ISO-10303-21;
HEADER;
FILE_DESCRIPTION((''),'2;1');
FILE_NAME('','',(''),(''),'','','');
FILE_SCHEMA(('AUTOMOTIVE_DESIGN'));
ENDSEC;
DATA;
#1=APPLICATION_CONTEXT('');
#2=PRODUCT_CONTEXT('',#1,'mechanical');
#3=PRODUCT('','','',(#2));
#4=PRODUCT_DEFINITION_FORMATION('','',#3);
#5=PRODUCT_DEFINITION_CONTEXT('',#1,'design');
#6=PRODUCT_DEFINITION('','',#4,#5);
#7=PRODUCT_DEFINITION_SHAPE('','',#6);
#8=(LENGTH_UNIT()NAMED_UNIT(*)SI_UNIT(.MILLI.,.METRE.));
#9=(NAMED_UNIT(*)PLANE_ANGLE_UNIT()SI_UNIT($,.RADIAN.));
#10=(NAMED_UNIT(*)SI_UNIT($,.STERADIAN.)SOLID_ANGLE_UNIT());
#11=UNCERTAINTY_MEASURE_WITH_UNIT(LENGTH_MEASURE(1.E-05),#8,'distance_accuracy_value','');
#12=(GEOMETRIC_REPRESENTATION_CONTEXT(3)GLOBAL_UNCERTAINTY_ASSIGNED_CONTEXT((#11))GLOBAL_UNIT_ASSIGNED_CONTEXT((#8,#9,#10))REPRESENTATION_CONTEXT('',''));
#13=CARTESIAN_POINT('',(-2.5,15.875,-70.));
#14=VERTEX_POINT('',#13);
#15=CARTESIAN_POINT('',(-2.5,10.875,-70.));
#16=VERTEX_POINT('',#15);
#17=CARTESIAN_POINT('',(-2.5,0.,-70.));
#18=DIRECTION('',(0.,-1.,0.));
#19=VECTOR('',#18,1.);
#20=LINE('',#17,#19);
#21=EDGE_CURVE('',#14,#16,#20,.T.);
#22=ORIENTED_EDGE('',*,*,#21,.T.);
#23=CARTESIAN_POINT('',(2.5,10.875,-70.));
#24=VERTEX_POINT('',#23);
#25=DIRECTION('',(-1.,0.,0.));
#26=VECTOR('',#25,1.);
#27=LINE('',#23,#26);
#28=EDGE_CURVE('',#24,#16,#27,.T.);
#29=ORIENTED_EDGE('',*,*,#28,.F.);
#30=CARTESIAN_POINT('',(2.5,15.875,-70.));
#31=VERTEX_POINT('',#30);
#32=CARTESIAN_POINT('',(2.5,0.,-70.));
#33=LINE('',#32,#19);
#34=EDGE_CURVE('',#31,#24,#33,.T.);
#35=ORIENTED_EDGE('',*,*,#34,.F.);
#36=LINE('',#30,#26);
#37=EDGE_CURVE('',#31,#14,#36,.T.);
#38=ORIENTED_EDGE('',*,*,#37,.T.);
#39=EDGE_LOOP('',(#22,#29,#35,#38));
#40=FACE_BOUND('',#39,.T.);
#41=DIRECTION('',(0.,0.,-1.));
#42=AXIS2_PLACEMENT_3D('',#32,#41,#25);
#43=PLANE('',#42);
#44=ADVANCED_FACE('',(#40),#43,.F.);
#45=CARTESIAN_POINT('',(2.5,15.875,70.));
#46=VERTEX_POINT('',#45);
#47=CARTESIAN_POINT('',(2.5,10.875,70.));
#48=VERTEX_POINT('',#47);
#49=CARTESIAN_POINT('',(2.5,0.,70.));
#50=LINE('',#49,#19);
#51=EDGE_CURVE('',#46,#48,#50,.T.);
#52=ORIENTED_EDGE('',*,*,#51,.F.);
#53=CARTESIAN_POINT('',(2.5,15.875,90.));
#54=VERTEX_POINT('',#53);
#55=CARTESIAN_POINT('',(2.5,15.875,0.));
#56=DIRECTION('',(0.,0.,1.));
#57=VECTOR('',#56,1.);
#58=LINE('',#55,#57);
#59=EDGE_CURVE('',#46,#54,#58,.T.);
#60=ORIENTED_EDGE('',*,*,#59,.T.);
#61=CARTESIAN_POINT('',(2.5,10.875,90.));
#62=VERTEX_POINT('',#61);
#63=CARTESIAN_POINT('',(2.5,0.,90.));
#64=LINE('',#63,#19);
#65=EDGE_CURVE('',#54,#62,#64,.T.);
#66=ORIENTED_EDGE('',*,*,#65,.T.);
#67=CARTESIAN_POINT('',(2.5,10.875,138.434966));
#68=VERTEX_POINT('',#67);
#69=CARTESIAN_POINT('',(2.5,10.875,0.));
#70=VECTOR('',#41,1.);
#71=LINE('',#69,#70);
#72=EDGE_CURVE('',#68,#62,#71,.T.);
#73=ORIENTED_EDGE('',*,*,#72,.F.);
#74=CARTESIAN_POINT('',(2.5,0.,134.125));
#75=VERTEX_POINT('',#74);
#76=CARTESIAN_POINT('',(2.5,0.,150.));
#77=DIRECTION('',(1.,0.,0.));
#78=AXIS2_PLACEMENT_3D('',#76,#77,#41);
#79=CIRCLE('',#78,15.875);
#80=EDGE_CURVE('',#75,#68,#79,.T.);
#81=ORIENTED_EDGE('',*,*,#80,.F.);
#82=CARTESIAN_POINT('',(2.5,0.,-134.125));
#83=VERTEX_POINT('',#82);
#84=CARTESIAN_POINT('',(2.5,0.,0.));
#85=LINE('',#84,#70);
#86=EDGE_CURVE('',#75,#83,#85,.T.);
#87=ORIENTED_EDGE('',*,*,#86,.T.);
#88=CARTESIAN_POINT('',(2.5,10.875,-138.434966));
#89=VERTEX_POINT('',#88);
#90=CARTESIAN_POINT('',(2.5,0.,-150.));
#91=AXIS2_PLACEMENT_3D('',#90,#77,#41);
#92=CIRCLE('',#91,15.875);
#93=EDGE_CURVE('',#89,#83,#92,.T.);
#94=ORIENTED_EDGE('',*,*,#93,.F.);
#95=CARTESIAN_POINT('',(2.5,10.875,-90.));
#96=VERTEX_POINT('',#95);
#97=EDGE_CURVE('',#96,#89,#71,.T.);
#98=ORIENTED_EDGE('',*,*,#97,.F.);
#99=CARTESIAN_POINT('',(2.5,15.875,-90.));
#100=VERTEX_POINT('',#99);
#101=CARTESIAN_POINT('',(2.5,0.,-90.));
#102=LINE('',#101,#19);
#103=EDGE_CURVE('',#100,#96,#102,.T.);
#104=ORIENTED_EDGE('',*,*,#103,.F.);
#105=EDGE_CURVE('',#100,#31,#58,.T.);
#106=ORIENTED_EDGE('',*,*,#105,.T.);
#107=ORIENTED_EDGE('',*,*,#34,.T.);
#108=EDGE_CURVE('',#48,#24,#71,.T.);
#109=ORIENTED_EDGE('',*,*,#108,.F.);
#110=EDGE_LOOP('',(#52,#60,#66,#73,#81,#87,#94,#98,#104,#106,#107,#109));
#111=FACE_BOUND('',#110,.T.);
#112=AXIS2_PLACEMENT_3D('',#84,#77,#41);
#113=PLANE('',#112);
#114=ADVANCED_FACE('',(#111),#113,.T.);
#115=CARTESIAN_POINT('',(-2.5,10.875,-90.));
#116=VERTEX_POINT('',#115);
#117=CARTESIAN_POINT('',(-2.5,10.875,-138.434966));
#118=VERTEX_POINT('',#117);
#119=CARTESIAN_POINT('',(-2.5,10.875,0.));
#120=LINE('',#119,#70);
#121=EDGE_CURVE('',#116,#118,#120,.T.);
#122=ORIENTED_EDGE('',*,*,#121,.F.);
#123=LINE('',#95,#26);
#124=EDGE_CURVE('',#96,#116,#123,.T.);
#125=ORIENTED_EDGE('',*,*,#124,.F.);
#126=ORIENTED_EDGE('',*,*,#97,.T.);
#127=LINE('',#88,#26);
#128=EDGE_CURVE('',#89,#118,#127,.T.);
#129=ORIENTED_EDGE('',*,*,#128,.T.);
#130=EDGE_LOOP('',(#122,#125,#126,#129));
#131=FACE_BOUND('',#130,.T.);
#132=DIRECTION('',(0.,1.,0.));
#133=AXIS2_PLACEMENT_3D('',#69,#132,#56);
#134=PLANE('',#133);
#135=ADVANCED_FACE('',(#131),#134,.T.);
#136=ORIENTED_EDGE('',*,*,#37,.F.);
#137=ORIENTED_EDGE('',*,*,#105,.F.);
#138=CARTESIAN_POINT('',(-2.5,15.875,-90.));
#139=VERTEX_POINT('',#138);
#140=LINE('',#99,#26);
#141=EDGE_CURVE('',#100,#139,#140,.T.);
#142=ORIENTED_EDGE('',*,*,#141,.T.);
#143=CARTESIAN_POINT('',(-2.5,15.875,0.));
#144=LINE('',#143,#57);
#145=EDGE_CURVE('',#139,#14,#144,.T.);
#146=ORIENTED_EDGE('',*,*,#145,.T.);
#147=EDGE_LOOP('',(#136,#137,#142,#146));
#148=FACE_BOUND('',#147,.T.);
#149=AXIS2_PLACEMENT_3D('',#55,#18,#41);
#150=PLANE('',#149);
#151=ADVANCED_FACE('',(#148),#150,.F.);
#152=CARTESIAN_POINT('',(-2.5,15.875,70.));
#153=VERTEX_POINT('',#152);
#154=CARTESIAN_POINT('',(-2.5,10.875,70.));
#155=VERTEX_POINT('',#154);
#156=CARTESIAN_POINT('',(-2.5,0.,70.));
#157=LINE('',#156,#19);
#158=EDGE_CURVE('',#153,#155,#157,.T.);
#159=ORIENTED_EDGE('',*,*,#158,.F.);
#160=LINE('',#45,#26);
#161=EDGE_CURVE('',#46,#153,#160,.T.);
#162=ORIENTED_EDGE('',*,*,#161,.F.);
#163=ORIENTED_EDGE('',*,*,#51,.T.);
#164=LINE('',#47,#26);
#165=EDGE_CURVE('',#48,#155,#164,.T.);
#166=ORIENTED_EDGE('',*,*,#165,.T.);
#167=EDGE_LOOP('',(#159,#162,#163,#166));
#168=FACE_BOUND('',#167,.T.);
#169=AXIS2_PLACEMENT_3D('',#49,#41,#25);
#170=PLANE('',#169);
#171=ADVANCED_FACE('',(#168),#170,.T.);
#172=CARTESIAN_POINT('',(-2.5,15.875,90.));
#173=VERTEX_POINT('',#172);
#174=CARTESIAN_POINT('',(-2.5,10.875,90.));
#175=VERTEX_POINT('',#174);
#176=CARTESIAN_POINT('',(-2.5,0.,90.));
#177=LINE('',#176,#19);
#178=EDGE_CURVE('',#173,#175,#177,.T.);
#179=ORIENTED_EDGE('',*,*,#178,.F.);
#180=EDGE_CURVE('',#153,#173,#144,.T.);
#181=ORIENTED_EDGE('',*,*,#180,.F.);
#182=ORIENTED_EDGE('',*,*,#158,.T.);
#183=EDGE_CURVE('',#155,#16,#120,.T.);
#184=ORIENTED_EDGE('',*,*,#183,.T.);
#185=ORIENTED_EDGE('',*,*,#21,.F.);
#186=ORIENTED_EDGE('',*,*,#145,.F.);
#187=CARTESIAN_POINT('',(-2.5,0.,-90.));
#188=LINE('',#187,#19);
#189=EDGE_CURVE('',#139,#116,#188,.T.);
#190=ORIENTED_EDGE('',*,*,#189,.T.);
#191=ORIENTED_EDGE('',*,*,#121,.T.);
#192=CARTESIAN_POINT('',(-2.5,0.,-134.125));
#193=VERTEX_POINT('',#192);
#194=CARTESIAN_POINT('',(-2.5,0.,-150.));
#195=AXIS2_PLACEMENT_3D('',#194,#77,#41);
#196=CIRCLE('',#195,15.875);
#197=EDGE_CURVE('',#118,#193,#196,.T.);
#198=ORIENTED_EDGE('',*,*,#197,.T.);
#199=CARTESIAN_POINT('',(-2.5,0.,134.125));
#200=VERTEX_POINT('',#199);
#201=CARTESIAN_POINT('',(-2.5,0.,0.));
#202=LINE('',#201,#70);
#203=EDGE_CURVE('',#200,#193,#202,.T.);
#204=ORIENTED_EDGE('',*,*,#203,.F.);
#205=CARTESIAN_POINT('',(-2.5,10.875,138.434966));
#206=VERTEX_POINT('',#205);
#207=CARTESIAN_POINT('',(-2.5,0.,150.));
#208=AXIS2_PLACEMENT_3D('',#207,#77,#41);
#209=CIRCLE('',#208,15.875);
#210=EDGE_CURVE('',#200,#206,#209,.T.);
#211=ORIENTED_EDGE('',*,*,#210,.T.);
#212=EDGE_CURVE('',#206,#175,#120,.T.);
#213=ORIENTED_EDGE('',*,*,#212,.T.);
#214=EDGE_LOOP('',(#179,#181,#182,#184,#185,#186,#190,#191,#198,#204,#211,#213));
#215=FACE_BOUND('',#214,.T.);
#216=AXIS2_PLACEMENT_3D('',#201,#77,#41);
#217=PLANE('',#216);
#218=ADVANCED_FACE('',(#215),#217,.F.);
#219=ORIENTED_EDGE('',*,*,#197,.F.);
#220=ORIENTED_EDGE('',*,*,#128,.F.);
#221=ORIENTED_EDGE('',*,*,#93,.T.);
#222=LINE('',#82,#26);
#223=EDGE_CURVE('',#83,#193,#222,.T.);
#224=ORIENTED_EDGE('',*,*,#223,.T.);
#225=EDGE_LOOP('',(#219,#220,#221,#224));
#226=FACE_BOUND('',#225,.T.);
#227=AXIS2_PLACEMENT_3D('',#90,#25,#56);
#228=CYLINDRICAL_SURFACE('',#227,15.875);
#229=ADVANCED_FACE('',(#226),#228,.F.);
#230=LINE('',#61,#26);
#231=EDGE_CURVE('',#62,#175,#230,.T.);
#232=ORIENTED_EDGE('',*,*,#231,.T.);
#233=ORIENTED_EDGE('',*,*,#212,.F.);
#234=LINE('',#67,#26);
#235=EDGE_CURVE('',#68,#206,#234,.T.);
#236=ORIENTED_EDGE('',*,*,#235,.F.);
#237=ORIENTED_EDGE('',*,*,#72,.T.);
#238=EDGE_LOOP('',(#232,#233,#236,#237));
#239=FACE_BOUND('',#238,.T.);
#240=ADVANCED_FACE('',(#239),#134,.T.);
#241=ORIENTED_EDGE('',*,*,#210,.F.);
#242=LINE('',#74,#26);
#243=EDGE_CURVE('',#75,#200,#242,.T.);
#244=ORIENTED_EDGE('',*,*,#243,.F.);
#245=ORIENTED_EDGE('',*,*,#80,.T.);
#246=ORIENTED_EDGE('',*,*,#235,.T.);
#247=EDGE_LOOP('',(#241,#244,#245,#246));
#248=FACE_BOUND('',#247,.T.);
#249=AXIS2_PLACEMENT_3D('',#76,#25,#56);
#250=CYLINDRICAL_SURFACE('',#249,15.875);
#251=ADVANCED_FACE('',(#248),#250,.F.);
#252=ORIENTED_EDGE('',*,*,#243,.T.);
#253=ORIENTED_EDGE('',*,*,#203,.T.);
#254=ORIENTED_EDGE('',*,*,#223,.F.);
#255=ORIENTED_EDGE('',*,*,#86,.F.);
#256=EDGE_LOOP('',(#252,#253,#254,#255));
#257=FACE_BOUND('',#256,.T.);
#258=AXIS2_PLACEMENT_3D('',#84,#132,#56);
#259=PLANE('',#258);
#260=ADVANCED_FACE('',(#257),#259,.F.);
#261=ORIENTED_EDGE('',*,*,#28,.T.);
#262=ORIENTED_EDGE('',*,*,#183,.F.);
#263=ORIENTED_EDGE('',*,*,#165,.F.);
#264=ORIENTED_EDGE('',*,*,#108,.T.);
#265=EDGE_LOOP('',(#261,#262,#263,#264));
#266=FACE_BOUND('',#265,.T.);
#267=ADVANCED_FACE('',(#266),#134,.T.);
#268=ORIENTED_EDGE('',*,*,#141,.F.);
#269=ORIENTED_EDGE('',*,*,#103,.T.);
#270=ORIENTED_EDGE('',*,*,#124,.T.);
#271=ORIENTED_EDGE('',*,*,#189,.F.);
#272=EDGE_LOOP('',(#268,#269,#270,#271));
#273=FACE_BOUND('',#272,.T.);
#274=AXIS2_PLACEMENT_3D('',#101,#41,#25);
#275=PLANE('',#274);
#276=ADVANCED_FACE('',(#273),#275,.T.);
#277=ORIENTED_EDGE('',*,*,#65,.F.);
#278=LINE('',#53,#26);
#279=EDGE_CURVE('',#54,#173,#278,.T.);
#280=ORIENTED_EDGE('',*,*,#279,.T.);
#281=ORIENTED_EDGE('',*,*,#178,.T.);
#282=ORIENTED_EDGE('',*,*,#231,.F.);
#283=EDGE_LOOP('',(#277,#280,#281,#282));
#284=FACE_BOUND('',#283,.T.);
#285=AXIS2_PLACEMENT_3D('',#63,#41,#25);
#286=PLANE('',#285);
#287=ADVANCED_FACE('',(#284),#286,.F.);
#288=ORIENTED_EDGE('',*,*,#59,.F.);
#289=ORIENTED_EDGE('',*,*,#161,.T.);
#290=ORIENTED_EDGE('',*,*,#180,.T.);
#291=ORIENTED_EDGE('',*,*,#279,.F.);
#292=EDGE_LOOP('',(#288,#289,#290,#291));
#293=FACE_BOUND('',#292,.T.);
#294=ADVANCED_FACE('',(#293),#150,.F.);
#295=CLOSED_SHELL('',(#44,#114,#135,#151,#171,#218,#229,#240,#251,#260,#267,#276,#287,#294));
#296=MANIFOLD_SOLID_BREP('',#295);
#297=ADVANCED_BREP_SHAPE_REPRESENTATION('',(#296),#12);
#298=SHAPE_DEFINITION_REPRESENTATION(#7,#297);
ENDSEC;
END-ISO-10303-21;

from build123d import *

# Parameters (mm, degrees)
BOSS_EXTRUDE1_DEPTH = 2.5


with BuildPart() as part:
    # Sketch1 → Boss-Extrude1 (new, symmetric)
    with BuildSketch(Plane(origin=(0, 0, 0), x_dir=(0, 0, -1), z_dir=(1, 0, 0))):
        with BuildLine():
            ThreePointArc((-138.434966494, 10.875), (-135.24177294, 5.848962219), (-134.125, 0))
            Line((-134.125, 0), (134.125, 0))
            ThreePointArc((134.125, 0), (135.24177294, 5.848962219), (138.434966494, 10.875))
            Line((138.434966494, 10.875), (90, 10.875))
            Line((90, 10.875), (90, 15.875))
            Line((90, 15.875), (70, 15.875))
            Line((70, 15.875), (70, 10.875))
            Line((70, 10.875), (-70, 10.875))
            Line((-70, 10.875), (-70, 15.875))
            Line((-70, 15.875), (-90, 15.875))
            Line((-90, 15.875), (-90, 10.875))
            Line((-90, 10.875), (-138.434966494, 10.875))
        make_face()
    extrude(amount=BOSS_EXTRUDE1_DEPTH, both=True)


solid = part.part
